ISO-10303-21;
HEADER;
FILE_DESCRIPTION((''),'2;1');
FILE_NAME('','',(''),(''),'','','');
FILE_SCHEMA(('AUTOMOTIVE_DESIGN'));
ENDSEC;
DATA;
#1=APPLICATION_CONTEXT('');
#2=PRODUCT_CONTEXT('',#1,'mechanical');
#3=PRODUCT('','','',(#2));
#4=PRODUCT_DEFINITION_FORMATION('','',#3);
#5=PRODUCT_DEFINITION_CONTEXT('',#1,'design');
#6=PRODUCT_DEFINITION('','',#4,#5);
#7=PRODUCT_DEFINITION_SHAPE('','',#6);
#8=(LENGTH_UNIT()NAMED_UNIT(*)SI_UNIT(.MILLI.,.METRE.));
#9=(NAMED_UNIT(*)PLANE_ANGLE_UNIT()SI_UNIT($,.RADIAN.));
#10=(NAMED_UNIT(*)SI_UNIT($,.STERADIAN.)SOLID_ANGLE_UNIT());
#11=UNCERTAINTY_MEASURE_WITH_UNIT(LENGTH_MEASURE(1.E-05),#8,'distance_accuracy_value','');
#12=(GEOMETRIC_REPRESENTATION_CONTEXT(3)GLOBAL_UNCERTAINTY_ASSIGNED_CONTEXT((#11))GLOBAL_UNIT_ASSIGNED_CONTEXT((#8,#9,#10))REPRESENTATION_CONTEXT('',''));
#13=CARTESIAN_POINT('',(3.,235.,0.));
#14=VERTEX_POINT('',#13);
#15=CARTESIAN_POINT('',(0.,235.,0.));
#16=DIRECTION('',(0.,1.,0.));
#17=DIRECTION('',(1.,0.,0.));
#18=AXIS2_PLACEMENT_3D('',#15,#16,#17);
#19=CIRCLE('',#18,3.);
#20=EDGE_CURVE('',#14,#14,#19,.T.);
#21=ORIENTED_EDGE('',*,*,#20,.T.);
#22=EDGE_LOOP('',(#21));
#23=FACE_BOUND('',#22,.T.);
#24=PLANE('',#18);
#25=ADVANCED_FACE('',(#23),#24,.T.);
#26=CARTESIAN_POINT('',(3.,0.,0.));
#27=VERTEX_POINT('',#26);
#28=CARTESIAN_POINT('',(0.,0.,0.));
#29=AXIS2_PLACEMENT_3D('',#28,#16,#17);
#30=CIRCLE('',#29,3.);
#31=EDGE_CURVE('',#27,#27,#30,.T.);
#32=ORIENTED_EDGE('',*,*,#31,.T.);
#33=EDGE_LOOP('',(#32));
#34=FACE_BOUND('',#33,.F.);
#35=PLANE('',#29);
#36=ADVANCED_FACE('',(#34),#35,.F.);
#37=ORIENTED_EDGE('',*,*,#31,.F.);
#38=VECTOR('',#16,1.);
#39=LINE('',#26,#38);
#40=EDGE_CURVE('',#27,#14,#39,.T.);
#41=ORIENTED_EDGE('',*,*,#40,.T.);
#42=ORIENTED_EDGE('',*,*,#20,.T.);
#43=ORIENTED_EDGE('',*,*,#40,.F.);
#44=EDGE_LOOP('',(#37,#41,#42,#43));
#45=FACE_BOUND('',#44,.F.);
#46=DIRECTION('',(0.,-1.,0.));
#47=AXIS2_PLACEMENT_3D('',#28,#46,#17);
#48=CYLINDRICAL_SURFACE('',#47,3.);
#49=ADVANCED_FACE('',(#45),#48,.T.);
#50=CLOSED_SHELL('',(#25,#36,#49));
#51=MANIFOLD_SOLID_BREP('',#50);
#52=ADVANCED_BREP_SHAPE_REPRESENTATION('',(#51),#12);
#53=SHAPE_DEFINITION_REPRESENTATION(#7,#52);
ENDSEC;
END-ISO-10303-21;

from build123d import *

# Parameters (mm, degrees)
SKETCH1_R           = 3
BOSS_EXTRUDE1_DEPTH = 235


with BuildPart() as part:
    # Sketch1 → Boss-Extrude1 (new body)
    with BuildSketch(Plane(origin=(0, 0, 0), x_dir=(1, 0, 0), z_dir=(0, 1, 0))):
        Circle(SKETCH1_R)
    extrude(amount=BOSS_EXTRUDE1_DEPTH)


solid = part.part
